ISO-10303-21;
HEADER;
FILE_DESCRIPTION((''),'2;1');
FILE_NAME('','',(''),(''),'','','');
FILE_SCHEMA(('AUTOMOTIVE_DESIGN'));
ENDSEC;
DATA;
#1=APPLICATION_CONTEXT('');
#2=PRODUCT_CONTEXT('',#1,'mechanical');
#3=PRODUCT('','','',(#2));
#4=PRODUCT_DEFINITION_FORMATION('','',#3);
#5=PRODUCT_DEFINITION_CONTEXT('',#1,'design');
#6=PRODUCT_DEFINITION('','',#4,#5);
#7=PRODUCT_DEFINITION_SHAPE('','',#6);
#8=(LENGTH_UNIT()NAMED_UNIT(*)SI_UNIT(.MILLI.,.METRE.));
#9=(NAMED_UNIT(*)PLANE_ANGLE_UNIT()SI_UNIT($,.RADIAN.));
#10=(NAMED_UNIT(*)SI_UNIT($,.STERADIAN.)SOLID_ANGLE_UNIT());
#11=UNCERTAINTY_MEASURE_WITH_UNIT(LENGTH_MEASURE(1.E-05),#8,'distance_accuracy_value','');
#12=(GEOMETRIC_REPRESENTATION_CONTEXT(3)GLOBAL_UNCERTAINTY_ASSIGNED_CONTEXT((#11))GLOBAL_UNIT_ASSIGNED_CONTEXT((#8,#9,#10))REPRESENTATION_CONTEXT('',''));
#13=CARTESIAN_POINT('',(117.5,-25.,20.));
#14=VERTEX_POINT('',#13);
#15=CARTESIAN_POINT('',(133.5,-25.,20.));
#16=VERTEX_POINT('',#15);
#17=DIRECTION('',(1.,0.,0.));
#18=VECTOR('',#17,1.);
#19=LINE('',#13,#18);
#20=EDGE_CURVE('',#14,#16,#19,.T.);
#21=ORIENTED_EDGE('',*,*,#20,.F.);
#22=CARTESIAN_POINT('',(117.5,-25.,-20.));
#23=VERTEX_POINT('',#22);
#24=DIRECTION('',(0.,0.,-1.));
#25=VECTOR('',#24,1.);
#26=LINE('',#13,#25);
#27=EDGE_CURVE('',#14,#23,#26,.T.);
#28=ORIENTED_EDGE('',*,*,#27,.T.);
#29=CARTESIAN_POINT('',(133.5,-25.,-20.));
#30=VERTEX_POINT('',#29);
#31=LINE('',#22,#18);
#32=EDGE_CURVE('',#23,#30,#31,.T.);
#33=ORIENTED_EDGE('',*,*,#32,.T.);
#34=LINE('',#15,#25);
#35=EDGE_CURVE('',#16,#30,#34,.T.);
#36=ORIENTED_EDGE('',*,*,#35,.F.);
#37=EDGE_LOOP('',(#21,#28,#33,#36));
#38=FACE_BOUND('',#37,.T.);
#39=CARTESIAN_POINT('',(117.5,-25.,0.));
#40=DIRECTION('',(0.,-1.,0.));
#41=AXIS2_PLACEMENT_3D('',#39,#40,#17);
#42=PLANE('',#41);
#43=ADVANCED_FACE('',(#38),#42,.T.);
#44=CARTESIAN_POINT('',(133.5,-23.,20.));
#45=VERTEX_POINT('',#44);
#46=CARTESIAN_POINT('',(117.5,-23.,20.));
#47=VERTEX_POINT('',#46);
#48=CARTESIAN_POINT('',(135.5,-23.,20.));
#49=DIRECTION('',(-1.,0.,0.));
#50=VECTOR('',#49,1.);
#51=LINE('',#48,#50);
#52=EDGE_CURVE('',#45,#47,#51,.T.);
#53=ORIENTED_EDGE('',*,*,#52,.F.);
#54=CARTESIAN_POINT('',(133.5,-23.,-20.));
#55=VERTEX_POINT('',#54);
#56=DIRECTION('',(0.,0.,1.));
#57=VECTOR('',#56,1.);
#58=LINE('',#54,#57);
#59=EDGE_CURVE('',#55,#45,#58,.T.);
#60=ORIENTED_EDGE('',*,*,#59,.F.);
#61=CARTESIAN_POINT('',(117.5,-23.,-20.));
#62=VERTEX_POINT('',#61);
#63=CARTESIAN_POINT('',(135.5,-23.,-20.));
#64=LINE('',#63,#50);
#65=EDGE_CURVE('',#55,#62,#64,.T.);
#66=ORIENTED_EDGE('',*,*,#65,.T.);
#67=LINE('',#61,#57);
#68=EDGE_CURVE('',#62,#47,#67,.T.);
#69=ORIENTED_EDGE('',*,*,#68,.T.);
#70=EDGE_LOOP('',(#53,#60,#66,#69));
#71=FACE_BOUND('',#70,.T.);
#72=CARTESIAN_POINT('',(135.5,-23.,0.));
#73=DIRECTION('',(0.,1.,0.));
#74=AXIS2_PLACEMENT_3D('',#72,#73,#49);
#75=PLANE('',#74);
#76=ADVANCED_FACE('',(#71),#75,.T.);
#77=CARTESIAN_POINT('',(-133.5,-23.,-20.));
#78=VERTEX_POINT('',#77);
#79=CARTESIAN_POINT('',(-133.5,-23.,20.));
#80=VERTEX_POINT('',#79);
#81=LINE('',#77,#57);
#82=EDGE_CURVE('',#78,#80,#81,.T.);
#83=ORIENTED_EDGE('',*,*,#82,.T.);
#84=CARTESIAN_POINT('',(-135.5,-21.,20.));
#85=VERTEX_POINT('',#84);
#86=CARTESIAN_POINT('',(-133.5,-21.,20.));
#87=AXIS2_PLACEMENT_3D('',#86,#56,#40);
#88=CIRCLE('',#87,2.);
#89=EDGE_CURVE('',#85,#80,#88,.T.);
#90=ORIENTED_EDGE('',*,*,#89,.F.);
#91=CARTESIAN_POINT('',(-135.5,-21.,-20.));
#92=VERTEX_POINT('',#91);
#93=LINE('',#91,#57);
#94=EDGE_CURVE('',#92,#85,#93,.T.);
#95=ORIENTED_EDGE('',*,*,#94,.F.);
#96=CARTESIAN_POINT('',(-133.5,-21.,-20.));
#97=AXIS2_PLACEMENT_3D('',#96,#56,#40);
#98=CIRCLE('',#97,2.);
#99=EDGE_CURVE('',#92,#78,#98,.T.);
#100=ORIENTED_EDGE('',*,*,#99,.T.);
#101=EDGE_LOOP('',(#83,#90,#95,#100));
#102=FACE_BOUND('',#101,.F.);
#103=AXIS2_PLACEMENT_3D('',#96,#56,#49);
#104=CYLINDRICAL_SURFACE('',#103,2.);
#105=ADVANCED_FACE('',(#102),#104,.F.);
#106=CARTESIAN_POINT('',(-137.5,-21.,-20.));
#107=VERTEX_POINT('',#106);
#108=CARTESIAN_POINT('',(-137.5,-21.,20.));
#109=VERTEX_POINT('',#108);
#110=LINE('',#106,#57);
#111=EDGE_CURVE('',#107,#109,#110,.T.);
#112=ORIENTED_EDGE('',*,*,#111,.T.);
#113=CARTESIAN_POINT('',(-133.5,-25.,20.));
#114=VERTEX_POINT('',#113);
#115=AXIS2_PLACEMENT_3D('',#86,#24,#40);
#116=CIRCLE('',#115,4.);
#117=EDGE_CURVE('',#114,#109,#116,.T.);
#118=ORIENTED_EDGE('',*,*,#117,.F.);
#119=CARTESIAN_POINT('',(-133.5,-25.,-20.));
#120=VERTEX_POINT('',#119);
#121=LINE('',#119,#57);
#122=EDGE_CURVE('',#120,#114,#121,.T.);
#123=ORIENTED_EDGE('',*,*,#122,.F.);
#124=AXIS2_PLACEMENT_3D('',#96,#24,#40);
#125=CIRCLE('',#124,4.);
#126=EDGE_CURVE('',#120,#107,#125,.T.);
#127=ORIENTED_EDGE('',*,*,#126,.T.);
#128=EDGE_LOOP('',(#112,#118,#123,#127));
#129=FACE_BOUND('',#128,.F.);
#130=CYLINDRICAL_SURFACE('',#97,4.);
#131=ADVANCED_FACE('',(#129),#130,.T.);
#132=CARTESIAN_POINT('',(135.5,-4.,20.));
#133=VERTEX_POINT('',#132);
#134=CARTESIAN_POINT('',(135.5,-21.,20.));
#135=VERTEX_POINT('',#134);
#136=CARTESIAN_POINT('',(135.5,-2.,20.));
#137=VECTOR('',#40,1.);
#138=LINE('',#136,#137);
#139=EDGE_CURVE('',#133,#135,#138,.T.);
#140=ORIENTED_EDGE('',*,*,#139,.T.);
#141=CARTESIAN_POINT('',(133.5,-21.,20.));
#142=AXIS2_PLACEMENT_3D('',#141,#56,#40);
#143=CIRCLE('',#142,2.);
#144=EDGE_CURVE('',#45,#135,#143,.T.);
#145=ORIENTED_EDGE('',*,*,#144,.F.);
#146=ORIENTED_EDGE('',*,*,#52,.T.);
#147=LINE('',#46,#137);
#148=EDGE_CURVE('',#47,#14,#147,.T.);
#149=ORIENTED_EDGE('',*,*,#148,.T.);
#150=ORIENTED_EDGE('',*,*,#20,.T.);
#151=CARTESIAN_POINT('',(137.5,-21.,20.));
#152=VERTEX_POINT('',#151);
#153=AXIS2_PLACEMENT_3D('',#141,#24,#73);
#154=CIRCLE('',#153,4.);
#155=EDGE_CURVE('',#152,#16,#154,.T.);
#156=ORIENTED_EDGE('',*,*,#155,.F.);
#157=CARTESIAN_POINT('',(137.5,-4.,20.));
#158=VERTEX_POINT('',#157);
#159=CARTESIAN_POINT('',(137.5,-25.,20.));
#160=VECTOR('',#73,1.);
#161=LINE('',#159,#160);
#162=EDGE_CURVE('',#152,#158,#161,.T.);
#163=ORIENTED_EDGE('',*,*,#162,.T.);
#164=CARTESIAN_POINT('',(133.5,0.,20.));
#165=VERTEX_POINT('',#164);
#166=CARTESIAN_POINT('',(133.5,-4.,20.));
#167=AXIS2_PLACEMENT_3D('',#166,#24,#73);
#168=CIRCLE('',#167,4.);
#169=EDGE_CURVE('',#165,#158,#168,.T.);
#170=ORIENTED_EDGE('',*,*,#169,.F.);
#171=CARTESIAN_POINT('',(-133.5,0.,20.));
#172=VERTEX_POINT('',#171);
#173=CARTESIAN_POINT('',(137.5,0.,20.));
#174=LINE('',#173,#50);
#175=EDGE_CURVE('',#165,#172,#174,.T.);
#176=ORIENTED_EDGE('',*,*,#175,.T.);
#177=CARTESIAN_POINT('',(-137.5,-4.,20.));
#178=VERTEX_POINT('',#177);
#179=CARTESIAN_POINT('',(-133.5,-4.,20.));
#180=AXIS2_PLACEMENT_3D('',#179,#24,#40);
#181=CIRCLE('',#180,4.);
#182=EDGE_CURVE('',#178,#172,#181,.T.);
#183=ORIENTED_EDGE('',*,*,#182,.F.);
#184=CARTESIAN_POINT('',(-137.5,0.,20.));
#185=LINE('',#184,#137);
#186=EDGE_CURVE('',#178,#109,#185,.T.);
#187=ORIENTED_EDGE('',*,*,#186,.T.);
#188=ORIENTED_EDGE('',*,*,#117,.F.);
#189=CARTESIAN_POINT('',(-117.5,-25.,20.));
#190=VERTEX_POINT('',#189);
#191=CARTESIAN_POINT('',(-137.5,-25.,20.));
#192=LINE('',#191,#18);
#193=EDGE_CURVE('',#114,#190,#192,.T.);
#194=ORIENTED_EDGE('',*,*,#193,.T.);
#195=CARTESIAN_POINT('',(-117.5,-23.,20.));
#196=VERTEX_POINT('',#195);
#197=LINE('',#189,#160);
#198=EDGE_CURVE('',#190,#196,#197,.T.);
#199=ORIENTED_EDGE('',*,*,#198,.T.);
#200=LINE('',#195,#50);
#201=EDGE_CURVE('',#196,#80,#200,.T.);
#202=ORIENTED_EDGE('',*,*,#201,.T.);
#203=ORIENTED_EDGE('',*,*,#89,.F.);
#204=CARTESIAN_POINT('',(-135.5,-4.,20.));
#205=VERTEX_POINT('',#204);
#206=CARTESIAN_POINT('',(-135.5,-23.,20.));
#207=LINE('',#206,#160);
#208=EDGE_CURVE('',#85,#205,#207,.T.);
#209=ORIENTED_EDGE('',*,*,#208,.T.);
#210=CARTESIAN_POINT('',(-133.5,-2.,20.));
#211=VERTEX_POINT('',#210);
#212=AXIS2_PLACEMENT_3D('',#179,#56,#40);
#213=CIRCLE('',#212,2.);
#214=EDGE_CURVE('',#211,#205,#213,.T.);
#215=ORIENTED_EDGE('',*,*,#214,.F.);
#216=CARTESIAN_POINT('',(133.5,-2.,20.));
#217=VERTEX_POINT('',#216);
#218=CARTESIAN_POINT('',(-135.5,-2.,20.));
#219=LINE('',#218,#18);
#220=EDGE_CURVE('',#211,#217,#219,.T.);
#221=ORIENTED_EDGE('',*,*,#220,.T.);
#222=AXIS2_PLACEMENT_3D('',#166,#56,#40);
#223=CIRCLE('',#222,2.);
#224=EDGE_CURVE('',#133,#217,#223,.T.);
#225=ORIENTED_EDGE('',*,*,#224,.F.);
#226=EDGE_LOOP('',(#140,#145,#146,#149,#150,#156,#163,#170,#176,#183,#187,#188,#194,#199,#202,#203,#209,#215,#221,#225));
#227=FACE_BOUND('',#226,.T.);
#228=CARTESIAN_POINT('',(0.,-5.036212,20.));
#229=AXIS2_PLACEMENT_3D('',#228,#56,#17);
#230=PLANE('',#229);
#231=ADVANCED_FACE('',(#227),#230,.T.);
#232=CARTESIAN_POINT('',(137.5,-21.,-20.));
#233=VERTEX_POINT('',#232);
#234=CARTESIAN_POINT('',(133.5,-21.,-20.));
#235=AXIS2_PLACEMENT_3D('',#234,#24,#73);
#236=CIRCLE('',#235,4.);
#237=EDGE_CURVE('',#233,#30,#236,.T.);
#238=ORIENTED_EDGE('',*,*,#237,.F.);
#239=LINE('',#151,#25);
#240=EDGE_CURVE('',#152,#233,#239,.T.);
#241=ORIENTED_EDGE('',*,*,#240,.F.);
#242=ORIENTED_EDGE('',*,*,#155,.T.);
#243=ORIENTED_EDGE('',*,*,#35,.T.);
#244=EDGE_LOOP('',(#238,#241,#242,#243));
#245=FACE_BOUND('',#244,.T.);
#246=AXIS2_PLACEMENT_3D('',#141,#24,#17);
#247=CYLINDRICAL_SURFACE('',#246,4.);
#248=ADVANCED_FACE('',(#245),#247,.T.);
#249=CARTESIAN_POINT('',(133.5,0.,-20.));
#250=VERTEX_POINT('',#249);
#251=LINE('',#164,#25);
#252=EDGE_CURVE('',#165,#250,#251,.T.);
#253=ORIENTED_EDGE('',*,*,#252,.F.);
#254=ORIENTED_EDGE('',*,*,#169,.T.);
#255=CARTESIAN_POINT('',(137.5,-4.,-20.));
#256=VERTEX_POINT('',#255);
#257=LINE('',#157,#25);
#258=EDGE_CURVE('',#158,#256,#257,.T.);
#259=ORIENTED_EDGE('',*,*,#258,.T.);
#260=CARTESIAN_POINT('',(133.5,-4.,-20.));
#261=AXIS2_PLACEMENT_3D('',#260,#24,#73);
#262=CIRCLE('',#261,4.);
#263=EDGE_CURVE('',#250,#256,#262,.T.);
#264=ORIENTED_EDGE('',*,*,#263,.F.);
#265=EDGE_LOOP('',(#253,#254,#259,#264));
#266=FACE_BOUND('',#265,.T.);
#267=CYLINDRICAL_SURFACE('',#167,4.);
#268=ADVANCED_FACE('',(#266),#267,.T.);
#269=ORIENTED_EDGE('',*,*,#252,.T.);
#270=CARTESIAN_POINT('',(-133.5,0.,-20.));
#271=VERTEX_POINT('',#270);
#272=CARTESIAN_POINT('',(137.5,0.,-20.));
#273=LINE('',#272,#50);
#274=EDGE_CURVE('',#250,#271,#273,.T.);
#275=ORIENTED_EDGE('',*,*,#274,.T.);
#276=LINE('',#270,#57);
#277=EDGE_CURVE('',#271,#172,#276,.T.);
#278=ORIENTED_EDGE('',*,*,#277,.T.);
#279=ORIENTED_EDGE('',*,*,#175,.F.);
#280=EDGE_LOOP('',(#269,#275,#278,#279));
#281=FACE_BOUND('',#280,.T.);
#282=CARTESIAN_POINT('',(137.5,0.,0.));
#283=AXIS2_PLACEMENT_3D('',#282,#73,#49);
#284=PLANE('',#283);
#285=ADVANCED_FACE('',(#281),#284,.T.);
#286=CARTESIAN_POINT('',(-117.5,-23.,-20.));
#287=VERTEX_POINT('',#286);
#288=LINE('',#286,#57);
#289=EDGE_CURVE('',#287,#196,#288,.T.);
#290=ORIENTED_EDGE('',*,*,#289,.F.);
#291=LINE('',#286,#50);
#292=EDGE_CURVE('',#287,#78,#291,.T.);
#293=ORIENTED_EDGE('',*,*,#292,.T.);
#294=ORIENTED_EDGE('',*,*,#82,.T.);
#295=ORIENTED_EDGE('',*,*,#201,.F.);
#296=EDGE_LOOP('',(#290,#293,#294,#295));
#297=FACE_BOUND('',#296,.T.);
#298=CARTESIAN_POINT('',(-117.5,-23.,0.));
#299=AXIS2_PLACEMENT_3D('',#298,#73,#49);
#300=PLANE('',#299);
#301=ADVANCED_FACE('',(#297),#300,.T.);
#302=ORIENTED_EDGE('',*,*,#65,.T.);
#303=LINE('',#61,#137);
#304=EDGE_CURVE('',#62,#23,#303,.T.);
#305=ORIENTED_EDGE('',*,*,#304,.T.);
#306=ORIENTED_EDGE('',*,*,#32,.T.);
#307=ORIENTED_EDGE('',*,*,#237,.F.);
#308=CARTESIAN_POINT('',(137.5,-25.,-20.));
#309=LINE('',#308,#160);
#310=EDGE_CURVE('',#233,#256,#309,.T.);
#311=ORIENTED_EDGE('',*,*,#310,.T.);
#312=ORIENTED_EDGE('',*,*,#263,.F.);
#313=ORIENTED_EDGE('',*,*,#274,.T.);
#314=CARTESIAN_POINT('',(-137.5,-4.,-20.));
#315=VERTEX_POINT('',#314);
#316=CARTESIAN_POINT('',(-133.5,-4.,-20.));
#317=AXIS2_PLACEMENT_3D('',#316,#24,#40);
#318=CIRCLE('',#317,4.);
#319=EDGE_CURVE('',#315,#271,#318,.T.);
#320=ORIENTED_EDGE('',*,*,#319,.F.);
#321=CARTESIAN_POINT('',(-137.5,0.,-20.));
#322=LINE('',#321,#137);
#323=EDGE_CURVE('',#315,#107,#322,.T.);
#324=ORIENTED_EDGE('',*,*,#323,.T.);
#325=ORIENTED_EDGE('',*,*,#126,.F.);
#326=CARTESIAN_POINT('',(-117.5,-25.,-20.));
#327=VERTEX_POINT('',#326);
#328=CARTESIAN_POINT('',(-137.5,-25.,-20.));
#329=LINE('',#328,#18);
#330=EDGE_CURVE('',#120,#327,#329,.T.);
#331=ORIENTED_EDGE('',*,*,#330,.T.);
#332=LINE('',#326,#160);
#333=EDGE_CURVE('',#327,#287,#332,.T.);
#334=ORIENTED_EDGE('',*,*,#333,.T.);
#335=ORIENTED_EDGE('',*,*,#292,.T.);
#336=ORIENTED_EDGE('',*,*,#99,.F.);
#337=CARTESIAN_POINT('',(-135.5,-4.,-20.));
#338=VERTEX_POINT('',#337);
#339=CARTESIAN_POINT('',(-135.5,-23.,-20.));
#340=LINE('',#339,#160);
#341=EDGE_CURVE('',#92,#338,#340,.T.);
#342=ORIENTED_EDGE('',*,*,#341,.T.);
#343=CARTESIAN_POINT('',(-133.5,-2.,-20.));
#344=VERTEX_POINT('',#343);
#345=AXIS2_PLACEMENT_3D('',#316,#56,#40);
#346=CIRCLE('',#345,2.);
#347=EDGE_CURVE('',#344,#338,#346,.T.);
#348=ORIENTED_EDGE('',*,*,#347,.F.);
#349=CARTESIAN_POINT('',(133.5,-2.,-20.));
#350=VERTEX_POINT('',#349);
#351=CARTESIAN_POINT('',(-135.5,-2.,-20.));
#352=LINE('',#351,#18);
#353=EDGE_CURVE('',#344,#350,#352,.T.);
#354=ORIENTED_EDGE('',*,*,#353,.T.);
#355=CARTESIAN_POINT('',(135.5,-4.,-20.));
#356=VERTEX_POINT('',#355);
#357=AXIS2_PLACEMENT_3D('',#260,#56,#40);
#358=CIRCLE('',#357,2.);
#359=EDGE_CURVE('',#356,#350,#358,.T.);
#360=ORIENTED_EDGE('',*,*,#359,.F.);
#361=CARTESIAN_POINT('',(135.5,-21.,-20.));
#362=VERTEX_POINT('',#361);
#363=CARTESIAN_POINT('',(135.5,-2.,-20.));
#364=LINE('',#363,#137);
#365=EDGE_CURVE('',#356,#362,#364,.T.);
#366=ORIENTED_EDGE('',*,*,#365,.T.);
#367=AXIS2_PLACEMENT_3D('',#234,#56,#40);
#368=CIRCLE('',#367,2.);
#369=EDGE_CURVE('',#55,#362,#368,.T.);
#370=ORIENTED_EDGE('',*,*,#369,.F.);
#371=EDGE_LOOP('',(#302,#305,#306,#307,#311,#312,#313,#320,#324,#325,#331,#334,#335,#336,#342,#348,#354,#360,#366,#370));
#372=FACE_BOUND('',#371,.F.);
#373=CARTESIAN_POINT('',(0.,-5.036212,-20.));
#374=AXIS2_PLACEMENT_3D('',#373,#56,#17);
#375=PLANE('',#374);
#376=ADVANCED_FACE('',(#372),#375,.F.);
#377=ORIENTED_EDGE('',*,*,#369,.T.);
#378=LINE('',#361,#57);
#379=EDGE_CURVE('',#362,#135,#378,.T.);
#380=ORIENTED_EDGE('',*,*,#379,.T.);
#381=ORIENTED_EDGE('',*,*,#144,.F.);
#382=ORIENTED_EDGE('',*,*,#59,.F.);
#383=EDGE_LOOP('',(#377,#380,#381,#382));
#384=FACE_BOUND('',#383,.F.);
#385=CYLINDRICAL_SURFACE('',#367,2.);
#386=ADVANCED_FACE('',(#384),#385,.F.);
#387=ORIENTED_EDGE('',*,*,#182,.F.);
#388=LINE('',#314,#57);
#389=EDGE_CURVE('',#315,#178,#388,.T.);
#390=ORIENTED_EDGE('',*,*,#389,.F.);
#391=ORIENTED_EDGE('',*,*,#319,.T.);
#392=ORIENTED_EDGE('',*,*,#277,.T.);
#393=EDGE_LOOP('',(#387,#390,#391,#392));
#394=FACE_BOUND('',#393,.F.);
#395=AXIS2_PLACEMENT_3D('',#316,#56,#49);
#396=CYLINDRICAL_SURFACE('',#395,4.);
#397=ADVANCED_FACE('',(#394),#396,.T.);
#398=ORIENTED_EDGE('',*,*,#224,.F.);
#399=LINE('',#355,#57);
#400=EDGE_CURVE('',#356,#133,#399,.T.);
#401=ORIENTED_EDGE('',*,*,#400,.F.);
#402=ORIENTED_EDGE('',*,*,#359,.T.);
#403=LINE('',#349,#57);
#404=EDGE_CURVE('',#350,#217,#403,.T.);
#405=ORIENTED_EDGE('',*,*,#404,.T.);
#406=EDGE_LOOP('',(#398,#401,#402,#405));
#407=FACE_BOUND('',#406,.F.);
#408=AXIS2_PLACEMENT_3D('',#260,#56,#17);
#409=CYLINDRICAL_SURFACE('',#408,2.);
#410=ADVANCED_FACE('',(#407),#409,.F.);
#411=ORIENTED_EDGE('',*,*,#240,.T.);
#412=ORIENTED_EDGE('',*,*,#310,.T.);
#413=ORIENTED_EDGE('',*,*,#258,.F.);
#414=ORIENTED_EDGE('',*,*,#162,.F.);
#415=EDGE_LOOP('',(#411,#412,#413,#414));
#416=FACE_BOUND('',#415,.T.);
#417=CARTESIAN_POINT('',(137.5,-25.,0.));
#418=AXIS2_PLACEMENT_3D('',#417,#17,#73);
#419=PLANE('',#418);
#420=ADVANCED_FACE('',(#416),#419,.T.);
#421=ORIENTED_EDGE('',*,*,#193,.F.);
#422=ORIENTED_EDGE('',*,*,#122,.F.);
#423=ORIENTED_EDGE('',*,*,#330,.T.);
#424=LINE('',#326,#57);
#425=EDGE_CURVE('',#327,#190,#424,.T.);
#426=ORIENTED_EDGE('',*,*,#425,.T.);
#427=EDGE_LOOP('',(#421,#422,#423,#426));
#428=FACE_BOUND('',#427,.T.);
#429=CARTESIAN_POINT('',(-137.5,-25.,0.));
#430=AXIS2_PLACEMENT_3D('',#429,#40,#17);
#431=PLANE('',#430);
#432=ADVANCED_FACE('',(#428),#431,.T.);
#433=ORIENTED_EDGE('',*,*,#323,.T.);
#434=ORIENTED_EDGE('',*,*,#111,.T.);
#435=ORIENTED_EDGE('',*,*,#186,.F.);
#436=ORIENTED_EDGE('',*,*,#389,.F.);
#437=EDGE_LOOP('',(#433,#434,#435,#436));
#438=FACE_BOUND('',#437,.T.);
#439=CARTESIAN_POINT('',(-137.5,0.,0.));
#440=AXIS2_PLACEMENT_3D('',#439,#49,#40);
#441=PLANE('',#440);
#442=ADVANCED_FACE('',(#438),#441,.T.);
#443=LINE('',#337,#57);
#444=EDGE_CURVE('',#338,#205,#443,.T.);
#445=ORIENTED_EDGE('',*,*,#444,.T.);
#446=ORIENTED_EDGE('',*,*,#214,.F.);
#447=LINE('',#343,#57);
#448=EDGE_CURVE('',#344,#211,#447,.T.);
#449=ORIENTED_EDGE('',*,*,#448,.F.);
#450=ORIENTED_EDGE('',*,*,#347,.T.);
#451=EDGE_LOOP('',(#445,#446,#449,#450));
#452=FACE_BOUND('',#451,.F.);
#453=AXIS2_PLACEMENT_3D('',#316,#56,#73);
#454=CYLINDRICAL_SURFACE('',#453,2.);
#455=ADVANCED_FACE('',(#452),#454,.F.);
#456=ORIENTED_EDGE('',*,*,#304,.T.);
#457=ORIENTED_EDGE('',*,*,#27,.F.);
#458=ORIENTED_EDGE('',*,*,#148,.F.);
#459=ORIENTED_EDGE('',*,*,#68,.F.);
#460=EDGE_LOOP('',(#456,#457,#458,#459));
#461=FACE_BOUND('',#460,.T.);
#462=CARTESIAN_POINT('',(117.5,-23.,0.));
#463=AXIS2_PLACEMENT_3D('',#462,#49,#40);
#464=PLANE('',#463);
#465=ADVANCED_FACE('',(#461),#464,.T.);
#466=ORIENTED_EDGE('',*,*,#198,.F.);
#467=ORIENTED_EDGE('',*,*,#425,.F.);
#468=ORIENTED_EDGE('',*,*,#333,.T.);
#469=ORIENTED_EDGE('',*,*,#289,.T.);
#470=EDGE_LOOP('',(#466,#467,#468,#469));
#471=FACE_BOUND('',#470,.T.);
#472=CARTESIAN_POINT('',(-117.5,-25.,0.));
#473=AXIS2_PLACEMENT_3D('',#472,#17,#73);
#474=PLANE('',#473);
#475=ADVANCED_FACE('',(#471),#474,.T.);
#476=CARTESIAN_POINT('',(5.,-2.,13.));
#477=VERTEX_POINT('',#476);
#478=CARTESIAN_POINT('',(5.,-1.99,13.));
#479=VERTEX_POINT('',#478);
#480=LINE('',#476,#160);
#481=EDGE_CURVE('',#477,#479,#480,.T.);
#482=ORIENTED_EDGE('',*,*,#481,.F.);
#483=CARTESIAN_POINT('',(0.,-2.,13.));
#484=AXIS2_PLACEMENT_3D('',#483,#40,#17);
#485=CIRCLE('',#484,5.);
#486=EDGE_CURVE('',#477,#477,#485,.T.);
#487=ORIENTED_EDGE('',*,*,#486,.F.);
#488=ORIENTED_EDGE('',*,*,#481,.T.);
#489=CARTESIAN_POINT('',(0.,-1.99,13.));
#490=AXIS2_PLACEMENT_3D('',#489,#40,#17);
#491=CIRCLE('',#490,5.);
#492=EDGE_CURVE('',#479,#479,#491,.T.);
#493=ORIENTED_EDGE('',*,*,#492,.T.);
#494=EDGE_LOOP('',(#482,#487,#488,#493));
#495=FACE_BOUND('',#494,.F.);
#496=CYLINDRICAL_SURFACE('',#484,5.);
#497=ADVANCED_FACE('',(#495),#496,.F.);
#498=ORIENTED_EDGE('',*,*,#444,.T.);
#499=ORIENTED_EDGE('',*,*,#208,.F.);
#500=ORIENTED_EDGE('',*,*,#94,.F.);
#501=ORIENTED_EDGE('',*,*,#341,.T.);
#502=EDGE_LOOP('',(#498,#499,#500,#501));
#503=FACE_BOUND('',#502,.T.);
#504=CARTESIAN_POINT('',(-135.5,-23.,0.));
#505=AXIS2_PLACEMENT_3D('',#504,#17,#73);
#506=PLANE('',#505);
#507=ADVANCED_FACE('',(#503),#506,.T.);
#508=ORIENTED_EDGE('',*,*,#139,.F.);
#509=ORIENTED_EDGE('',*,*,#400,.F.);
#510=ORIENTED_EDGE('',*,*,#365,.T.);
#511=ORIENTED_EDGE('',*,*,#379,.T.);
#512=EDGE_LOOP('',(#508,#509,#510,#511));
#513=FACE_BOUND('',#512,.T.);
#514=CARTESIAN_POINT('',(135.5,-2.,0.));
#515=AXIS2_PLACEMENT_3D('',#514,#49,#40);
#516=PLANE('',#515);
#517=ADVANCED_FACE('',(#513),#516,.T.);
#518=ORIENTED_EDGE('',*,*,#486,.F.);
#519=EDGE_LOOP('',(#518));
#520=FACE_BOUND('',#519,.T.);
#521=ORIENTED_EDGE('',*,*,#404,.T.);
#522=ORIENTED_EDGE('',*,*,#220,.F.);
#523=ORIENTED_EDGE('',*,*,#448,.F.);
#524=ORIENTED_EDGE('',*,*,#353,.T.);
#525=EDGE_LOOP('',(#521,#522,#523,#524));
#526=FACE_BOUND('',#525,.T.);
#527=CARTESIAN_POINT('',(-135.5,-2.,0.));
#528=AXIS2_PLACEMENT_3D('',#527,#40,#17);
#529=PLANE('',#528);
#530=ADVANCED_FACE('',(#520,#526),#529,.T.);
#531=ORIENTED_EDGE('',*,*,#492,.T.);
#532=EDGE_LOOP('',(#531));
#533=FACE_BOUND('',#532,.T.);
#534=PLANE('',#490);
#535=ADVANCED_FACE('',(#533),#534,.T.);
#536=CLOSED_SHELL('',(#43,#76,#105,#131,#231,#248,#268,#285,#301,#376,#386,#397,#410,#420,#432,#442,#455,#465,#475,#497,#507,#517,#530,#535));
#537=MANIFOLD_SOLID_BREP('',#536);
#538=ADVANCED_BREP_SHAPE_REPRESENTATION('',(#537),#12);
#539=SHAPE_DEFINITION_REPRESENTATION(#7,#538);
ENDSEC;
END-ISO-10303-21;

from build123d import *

# Parameters (mm, degrees)
F1_DEPTH = 20
F2_R     = 2
F3_R     = 4
F4_R     = 5
F5_DEPTH = 0.01


with BuildPart() as f1:
    # F0 (on Top) → F1 (new body, symmetric)
    with BuildSketch(Plane.XY):
        Polygon((137.5, 0), (0, 0), (-137.5, 0), (-137.5, -25), (-117.5, -25), (-117.5, -23), (-135.5, -23), (-135.5, -2), (0, -2), (135.5, -2), (135.5, -23), (117.5, -23), (117.5, -25), (137.5, -25), align=None)
    extrude(amount=F1_DEPTH, both=True)

    # F2
    f2_edges = [f1.edges().sort_by_distance(p)[0] for p in [
        (-135.5, -23, 0),
        (-135.5, -2, 0),
        (135.5, -23, 0),
        (135.5, -2, 0),
    ]]
    fillet(f2_edges, radius=F2_R)

    # F3
    f3_edges = [f1.edges().sort_by_distance(p)[0] for p in [
        (-137.5, -25, 0),
        (-137.5, 0, 0),
        (137.5, -25, 0),
        (137.5, 0, 0),
    ]]
    fillet(f3_edges, radius=F3_R)

    # F4 (on face) → F5 (cut)
    with BuildSketch(Plane.XZ.offset(2)):
        with Locations((0, 13)):
            Circle(F4_R)
    extrude(amount=-F5_DEPTH, mode=Mode.SUBTRACT)


solid = f1.part
